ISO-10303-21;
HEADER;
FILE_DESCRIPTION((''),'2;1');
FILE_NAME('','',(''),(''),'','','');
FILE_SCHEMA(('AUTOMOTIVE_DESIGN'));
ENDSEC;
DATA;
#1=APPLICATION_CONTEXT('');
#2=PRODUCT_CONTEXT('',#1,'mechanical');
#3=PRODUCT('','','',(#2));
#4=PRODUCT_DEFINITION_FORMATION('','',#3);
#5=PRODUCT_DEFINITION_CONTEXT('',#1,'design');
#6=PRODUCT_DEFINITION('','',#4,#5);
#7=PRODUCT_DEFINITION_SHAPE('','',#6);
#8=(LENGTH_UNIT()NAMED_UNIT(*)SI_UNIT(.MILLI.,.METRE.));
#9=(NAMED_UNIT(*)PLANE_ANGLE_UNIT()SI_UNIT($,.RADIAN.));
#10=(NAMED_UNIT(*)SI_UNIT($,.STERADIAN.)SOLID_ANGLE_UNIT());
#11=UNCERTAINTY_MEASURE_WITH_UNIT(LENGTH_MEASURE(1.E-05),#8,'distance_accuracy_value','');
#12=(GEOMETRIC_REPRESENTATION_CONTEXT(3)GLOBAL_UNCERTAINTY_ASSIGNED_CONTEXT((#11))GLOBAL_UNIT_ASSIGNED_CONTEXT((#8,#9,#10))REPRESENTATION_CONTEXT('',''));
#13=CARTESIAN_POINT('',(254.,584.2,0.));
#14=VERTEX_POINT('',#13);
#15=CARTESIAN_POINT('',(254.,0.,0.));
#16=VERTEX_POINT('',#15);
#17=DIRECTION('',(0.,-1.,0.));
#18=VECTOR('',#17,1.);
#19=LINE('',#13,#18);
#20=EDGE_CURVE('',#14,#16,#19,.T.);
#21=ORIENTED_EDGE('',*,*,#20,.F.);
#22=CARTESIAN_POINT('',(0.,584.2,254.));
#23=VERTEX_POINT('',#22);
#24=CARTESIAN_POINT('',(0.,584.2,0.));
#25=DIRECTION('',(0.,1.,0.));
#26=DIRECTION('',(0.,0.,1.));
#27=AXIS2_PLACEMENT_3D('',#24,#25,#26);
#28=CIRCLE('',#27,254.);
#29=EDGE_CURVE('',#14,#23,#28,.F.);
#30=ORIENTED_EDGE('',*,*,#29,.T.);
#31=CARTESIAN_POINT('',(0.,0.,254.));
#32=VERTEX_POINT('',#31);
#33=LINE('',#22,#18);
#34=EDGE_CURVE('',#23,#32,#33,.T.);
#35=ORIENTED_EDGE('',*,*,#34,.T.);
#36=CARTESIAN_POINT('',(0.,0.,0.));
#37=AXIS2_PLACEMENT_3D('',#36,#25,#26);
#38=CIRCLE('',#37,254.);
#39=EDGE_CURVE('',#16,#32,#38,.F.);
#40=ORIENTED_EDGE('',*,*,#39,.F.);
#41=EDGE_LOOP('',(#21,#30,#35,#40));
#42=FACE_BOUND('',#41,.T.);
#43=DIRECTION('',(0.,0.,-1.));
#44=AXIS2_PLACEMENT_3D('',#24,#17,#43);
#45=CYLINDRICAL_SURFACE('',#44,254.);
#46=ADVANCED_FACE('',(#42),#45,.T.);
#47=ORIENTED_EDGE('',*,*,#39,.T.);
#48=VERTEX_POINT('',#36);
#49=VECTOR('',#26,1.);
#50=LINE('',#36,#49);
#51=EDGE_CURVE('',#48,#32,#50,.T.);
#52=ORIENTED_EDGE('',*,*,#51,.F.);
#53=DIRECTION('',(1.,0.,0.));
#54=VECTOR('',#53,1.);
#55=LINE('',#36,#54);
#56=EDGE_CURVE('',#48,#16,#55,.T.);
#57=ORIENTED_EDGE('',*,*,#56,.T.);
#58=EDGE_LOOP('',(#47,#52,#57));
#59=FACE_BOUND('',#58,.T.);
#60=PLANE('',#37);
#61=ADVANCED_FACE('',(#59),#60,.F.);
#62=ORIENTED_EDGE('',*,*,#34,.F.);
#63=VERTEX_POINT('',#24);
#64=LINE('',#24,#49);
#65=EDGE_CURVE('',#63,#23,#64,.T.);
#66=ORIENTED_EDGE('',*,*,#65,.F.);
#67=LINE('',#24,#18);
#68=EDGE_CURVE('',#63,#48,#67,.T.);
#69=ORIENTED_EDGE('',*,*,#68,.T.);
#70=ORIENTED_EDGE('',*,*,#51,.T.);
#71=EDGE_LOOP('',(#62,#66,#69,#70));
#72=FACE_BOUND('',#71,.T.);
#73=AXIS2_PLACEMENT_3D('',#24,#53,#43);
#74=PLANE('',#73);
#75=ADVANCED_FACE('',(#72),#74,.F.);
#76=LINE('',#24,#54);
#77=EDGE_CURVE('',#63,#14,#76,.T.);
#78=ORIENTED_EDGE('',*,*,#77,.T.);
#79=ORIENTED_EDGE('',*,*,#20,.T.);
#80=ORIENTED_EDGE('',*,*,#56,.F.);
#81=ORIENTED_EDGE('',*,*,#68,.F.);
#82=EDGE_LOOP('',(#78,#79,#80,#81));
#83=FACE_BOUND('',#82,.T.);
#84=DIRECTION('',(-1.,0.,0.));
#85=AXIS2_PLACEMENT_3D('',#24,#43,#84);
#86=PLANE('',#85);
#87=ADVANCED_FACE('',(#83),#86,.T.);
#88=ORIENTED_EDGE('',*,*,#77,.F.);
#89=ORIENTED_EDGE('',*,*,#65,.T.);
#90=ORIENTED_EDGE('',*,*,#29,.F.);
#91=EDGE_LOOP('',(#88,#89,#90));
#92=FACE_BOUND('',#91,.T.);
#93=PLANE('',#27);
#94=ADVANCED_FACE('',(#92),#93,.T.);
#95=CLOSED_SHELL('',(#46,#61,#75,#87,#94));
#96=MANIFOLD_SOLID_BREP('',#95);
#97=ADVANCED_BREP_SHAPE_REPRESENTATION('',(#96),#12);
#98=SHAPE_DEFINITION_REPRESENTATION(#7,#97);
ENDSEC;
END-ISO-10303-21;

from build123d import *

# Parameters (mm, degrees)
BOSS_EXTRUDE1_DEPTH = 584.2


with BuildPart() as part:
    # Sketch1 → Boss-Extrude1 (new body)
    with BuildSketch(Plane(origin=(0, 0, 0), x_dir=(1, 0, 0), z_dir=(0, 1, 0))):
        with BuildLine():
            ThreePointArc((254, 0), (179.605122421, -179.605122421), (0, -254))
            Line((0, -254), (0, 0))
            Line((0, 0), (254, 0))
        make_face()
    extrude(amount=BOSS_EXTRUDE1_DEPTH)


solid = part.part
